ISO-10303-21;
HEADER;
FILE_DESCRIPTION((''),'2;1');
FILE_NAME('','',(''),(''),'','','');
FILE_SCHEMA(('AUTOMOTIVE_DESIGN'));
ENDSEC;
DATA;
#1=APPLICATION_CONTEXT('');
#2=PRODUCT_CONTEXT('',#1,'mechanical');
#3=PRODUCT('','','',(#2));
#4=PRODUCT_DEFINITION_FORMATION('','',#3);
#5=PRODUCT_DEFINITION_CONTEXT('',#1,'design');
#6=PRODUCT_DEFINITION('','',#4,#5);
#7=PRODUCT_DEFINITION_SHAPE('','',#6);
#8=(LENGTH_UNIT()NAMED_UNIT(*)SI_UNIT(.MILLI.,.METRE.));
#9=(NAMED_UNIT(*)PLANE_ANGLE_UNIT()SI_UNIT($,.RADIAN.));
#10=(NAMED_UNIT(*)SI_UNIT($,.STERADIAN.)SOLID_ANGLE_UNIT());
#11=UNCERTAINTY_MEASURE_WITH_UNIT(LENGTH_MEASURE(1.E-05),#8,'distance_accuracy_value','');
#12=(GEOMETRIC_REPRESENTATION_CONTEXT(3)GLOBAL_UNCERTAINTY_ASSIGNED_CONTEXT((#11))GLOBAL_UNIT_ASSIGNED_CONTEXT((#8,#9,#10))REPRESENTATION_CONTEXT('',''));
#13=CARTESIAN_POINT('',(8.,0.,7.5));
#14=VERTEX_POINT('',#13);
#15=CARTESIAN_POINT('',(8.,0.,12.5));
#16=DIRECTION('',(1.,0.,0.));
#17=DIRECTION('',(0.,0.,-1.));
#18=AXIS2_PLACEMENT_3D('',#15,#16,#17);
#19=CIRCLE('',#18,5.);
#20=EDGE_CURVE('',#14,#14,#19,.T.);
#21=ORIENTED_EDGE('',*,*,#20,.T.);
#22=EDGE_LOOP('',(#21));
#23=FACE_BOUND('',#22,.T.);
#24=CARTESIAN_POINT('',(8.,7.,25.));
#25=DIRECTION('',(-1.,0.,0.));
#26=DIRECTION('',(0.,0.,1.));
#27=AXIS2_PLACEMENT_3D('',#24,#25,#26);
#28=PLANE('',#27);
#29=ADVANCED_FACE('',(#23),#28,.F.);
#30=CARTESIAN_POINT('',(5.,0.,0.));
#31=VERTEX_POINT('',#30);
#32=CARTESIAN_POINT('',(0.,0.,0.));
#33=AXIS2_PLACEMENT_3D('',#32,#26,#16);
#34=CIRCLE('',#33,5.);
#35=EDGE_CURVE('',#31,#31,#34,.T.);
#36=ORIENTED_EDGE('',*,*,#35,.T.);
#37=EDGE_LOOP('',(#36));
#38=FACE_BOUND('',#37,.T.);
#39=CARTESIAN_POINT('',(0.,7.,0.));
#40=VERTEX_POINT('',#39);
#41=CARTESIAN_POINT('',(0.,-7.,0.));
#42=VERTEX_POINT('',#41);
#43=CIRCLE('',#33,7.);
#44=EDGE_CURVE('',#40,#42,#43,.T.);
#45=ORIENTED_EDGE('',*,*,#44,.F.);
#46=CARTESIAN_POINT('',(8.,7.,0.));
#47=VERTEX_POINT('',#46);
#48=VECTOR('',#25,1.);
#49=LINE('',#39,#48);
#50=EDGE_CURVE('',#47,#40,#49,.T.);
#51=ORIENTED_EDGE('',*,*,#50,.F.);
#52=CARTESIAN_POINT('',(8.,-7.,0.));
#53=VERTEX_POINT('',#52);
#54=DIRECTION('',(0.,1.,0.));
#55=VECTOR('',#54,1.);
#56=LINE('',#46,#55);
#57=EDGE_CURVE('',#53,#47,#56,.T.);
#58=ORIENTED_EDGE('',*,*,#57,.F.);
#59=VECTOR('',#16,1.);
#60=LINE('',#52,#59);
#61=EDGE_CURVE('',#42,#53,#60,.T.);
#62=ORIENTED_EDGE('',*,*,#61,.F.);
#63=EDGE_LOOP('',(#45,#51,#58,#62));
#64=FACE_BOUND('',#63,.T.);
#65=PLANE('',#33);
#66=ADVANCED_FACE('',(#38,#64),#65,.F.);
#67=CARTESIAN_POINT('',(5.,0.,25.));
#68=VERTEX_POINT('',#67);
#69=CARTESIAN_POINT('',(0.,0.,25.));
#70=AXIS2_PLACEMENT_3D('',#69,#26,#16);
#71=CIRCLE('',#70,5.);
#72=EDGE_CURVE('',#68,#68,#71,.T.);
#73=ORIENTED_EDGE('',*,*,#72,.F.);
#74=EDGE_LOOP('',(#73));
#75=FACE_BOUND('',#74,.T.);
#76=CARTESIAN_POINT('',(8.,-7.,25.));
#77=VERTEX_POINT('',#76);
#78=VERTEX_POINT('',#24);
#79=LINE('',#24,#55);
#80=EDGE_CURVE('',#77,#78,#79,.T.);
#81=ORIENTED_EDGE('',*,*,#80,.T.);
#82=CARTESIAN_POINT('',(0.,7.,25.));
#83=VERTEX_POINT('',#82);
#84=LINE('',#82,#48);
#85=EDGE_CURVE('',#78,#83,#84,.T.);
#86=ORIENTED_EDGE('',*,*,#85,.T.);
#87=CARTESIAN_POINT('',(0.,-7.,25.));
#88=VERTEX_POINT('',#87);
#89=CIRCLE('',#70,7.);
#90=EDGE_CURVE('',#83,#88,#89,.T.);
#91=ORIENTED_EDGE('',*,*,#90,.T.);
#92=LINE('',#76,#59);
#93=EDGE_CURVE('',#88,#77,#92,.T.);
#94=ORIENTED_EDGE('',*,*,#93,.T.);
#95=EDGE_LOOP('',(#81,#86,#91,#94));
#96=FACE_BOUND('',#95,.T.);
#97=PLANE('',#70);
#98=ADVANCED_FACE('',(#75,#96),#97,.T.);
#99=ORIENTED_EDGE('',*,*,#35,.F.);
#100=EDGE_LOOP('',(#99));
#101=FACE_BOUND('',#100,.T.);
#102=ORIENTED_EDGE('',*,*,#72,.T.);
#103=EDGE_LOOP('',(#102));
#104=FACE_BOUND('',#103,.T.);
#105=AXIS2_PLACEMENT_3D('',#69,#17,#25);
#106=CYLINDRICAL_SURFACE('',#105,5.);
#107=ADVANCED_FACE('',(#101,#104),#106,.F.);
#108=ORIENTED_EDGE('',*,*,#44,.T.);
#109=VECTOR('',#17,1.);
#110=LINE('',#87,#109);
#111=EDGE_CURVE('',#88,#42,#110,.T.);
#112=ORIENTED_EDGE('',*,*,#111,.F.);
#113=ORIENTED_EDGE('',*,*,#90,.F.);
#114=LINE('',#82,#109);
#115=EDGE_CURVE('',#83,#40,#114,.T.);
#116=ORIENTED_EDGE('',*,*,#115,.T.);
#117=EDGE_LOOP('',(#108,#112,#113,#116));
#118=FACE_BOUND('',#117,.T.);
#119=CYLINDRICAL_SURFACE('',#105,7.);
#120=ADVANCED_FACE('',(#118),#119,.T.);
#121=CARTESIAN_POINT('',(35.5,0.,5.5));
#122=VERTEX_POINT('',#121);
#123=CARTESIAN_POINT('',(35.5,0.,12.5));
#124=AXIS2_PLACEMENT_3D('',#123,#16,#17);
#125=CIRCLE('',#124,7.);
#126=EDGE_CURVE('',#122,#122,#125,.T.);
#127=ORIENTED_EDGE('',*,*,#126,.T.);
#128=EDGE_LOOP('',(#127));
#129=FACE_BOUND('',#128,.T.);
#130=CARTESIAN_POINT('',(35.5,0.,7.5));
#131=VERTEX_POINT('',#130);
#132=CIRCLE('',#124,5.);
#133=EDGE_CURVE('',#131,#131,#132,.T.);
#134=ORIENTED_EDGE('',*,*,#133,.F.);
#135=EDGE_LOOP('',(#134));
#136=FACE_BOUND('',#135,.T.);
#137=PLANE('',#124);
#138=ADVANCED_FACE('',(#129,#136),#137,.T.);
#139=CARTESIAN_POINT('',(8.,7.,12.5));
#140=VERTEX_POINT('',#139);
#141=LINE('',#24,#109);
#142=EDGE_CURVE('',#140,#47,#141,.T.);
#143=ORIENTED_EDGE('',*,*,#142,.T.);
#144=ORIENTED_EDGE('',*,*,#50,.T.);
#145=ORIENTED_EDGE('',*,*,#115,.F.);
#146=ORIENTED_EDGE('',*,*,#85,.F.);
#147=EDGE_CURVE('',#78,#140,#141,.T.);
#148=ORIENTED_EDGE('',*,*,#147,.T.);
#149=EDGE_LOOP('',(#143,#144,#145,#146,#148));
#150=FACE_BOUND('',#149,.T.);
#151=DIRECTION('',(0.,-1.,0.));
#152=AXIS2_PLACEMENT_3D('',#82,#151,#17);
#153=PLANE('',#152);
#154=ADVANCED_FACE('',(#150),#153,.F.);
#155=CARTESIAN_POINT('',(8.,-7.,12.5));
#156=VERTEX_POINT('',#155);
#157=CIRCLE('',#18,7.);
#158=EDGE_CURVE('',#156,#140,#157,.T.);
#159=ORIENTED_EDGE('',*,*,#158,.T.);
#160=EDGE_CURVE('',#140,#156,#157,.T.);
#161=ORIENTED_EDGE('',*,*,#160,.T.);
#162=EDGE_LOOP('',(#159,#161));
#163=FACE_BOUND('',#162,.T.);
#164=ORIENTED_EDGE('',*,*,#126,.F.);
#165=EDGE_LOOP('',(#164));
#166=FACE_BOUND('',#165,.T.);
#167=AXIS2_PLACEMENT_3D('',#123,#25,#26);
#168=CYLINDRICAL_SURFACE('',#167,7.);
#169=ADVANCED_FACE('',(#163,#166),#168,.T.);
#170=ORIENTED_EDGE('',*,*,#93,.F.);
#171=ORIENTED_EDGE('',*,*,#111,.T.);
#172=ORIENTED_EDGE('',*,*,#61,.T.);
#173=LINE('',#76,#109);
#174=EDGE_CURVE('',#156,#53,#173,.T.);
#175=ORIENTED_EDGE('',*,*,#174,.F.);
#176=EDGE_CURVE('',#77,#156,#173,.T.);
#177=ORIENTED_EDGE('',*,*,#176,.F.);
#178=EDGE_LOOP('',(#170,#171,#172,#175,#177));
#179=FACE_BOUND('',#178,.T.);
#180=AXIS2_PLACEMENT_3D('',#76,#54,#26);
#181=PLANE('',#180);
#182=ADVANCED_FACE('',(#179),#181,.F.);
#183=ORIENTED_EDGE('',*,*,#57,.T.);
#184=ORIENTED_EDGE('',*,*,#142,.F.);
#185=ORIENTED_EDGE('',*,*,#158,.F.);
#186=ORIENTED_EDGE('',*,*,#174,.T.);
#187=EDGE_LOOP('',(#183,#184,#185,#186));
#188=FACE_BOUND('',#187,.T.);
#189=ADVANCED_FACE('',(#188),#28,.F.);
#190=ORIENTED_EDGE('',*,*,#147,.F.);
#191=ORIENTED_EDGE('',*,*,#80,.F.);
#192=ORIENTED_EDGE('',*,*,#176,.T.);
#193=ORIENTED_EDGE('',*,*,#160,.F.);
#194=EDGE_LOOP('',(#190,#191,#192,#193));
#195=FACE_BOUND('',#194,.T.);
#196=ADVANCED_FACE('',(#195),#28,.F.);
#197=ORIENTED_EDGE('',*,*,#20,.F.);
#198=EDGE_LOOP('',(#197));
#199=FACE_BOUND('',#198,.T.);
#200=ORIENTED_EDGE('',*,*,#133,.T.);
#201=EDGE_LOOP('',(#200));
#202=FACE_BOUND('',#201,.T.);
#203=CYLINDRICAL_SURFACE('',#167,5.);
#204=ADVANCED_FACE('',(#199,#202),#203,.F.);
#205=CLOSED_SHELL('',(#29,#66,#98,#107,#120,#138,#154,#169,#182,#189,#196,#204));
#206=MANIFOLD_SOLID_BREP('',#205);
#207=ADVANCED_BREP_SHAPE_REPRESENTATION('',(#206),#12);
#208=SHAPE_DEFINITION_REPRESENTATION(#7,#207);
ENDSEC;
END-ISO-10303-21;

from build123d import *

# Parameters (mm, degrees)
SZKIC1_R                    = 5
DODANIE_WYCI_GNI_CIE1_DEPTH = 25
SZKIC2_R                    = 7
SZKIC2_R_2                  = 5
DODANIE_WYCI_GNI_CIE2_DEPTH = 27.5


with BuildPart() as part:
    # Szkic1 → Dodanie-wyciągnięcie1 (new body)
    with BuildSketch(Plane.XY):
        with BuildLine():
            Line((0, 7), (8, 7))
            Line((8, 7), (8, -7))
            Line((8, -7), (0, -7))
            ThreePointArc((0, -7), (-7, 0), (0, 7))
        make_face()
        Circle(SZKIC1_R, mode=Mode.SUBTRACT)
    extrude(amount=DODANIE_WYCI_GNI_CIE1_DEPTH)

    # Szkic2 → Dodanie-wyciągnięcie2 (add)
    with BuildSketch(Plane(origin=(8, 0, 0), x_dir=(0, 0, -1), z_dir=(1, 0, 0))):
        with Locations(Location((-12.5, 0, 0), (0, 0, 270))):
            Circle(SZKIC2_R)
        with Locations((-12.5, 0)):
            Circle(SZKIC2_R_2, mode=Mode.SUBTRACT)
    extrude(amount=DODANIE_WYCI_GNI_CIE2_DEPTH)


solid = part.part
